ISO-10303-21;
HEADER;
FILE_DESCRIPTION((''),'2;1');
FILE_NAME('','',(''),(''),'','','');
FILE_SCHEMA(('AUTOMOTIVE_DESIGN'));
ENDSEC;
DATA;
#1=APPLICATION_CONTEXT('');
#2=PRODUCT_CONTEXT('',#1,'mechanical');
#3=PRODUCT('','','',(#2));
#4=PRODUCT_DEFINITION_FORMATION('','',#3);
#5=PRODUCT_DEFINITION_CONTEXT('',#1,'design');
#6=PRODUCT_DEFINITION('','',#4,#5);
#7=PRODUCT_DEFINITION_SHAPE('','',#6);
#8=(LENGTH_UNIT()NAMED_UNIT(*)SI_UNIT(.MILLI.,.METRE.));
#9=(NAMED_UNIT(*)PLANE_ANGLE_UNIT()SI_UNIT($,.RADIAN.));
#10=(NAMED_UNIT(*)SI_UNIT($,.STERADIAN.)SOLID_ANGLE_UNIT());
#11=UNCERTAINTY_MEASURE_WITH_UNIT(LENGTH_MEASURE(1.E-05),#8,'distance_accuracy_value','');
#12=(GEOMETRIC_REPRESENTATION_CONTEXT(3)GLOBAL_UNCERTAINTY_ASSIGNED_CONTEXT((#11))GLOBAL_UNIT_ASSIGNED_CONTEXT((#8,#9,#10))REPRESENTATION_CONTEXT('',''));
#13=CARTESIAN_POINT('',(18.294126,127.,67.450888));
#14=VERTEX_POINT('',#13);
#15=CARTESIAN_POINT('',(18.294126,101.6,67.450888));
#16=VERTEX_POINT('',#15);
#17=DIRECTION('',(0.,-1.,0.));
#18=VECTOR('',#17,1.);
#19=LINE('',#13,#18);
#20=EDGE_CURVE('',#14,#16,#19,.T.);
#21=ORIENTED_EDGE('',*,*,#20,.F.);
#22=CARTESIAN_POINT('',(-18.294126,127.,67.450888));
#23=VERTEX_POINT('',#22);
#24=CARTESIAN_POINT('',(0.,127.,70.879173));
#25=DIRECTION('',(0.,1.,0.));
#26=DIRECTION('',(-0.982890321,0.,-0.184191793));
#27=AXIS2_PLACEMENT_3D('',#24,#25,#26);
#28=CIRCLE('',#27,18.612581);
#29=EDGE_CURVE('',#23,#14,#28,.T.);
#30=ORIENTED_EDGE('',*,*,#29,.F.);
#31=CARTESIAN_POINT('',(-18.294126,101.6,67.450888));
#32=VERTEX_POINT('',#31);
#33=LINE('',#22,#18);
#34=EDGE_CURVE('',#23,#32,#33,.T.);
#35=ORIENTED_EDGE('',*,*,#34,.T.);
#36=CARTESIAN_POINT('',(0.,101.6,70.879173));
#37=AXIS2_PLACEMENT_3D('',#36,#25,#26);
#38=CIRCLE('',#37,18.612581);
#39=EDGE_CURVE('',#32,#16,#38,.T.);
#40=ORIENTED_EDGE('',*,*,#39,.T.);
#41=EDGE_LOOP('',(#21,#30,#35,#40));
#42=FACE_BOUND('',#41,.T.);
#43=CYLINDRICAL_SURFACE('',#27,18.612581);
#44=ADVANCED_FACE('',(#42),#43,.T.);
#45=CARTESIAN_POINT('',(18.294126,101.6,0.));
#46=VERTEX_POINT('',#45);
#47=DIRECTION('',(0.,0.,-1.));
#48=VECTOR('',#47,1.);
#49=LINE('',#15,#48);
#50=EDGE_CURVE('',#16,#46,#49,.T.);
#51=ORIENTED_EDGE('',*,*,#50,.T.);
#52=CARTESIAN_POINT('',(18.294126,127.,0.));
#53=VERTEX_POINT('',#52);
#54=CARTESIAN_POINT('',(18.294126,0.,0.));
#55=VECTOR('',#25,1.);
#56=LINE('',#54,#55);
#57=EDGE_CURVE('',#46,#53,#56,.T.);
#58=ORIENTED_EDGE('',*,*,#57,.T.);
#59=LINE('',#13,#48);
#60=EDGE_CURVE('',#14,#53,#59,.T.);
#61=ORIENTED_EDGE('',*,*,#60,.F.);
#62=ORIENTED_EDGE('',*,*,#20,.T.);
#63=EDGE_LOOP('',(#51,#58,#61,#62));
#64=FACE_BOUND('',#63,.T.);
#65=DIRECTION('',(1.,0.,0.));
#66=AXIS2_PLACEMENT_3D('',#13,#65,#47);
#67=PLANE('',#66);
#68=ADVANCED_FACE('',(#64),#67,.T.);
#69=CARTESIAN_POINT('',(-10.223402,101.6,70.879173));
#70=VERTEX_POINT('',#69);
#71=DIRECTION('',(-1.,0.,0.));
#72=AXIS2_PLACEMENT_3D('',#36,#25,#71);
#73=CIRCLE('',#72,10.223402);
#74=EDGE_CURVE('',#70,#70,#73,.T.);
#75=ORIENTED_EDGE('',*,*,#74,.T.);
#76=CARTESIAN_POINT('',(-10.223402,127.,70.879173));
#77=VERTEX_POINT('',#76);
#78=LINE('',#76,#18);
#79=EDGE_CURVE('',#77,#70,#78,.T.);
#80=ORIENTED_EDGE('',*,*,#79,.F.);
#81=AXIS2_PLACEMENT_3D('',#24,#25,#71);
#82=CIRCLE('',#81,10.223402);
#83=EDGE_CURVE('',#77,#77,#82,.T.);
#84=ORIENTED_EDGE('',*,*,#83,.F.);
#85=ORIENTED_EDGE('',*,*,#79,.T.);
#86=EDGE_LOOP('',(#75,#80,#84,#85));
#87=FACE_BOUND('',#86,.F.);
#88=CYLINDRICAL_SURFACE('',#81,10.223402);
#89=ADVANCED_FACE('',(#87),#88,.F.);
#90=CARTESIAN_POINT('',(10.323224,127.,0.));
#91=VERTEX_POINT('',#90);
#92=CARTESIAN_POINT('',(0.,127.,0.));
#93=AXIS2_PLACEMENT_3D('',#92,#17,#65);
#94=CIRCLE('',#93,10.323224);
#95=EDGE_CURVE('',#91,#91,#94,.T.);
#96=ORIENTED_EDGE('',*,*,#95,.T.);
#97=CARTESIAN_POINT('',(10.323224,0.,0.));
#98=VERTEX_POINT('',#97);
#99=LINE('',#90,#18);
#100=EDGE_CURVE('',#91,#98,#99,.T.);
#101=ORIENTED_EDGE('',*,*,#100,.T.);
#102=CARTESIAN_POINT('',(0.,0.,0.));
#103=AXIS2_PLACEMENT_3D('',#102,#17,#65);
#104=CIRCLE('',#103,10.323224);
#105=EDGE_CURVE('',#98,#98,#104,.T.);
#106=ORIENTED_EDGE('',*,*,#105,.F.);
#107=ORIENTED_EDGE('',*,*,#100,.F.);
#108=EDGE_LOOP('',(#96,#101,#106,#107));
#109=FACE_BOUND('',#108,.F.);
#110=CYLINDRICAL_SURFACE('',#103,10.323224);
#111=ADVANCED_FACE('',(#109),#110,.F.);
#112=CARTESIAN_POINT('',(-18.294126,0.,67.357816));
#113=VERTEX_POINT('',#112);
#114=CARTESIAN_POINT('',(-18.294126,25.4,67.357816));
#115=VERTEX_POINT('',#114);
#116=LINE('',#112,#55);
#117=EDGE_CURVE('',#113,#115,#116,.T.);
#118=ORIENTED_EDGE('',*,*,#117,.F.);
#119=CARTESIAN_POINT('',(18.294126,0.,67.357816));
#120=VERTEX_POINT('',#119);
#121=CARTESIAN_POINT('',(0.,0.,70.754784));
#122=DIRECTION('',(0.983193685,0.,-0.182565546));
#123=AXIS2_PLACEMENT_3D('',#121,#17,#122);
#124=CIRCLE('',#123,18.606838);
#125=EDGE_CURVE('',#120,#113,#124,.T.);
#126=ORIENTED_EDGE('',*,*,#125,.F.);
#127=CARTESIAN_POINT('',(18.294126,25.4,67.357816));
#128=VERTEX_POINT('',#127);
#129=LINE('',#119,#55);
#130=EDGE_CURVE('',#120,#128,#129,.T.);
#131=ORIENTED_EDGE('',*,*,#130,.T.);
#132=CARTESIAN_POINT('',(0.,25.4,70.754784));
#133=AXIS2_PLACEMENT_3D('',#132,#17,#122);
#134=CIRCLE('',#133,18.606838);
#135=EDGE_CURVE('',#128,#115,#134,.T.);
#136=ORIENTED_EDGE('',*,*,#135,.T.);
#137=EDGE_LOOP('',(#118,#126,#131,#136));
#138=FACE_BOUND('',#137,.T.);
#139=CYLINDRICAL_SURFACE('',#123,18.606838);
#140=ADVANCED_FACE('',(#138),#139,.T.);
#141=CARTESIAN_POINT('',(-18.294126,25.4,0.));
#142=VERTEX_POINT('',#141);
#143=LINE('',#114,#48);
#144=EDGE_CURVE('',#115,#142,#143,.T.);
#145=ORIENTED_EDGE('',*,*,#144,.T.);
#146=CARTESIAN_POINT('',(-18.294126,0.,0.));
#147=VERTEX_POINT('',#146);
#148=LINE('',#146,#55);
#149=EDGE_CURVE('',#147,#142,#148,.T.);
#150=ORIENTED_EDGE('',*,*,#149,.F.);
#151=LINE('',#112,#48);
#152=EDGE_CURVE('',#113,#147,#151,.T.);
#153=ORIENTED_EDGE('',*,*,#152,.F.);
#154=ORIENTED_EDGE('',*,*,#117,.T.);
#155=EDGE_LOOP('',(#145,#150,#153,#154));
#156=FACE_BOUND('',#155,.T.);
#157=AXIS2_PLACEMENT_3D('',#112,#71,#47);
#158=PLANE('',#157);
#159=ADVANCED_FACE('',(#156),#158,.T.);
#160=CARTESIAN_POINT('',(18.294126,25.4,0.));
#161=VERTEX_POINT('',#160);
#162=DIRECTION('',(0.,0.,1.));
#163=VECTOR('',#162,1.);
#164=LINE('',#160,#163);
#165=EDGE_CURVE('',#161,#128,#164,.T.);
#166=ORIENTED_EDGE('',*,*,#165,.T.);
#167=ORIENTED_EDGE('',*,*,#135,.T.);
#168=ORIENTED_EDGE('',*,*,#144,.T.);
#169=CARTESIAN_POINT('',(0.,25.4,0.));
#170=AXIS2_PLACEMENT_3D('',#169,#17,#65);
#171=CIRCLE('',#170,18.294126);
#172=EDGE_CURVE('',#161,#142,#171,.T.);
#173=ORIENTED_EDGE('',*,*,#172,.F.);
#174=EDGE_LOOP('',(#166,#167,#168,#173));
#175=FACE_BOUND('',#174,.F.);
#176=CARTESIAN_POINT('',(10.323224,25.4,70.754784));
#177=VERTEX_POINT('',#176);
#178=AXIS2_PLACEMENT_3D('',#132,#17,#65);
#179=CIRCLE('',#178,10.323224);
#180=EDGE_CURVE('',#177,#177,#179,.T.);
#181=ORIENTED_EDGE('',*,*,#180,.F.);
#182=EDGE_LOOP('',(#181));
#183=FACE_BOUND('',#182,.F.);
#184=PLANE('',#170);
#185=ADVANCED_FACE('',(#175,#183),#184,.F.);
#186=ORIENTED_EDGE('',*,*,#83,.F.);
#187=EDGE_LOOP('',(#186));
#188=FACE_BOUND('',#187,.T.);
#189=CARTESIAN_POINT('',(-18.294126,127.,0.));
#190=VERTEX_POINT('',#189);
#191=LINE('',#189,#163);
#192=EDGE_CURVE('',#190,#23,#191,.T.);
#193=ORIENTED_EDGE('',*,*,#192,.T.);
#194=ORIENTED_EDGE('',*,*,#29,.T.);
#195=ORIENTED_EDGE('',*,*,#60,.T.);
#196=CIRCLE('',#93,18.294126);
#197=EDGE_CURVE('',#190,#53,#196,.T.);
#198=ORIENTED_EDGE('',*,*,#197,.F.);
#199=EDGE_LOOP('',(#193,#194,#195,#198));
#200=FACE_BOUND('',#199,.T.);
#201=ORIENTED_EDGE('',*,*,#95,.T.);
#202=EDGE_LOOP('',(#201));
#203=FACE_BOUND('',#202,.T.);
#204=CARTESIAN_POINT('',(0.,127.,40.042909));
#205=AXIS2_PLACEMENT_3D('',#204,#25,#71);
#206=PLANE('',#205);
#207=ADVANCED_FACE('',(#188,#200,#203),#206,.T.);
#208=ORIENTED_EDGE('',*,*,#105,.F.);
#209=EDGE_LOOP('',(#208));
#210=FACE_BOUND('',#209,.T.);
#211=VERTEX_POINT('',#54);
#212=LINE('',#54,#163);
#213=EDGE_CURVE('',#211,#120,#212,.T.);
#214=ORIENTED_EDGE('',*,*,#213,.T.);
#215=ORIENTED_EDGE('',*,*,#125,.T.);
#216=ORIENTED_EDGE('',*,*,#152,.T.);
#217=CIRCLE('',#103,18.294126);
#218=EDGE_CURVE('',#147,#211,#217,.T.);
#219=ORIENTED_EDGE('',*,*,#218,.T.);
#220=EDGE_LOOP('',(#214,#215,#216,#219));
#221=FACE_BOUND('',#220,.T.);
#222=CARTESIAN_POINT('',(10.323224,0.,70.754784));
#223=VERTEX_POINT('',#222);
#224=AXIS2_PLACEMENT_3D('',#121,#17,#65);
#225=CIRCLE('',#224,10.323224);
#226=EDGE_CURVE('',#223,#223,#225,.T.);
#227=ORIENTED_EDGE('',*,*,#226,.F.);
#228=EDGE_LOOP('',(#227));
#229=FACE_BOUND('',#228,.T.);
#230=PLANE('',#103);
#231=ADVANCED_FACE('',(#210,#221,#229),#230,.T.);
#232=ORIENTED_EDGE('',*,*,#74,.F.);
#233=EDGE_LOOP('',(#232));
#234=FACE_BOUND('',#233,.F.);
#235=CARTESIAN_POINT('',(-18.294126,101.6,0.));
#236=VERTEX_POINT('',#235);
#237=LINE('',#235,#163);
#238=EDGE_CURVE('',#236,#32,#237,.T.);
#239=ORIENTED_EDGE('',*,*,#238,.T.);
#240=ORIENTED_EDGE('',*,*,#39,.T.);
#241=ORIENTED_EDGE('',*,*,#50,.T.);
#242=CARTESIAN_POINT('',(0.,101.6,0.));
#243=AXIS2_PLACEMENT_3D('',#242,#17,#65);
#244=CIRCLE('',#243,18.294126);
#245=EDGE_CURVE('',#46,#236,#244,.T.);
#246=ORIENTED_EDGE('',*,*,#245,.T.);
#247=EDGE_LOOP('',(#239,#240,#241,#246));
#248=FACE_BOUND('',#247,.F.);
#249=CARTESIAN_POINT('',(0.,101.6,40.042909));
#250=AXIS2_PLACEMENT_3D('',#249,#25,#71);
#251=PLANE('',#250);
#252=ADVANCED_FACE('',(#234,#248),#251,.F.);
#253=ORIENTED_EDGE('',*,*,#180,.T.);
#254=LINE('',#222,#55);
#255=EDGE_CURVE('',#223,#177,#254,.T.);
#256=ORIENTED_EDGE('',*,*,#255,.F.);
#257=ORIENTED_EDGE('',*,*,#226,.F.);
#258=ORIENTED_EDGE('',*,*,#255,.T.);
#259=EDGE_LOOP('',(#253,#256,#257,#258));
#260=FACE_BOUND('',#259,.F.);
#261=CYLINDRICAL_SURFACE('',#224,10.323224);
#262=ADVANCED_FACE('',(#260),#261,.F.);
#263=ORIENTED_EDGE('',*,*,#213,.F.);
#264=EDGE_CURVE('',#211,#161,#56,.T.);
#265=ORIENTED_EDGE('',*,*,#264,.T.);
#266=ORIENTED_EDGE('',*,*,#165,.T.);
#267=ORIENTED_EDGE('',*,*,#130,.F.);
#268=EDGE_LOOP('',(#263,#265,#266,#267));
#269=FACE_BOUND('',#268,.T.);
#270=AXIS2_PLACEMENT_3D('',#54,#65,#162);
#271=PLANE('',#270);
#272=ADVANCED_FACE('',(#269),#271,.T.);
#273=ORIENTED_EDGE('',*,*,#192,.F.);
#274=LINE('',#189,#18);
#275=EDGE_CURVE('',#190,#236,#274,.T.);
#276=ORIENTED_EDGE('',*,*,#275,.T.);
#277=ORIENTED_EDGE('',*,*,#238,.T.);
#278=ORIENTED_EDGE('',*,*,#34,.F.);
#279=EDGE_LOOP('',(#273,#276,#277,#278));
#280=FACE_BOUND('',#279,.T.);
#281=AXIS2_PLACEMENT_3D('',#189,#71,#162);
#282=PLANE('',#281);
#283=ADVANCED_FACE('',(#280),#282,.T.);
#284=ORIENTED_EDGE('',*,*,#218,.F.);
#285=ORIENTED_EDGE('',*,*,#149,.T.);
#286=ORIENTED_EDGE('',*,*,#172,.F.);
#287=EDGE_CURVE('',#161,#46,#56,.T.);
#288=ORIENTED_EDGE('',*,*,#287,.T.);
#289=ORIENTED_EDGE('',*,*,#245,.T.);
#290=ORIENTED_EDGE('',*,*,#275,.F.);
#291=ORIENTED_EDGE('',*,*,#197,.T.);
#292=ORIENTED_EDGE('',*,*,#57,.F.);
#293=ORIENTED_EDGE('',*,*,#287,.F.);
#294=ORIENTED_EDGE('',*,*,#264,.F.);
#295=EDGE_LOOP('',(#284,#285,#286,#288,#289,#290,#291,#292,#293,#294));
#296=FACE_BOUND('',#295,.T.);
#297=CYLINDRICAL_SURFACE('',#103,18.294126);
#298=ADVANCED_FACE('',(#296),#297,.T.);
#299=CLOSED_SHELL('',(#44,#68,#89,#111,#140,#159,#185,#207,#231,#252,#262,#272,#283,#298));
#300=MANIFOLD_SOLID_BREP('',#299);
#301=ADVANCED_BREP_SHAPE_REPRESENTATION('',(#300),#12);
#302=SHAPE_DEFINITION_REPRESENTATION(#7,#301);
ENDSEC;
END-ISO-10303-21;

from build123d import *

# Parameters (mm, degrees)
F0_R     = 10.323224
F1_DEPTH = 127
F2_DEPTH = 25.4
F3_R     = 10.223402
F4_DEPTH = 25.4


with BuildPart() as f1:
    # F0 (on Front) → F1 (new body)
    with BuildSketch(Plane.XZ):
        with BuildLine():
            ThreePointArc((-18.294126, 0), (0, -18.294126), (18.294126, 0))
            ThreePointArc((18.294126, 0), (0, 18.294126), (-18.294126, 0))
        make_face()
        Circle(F0_R, mode=Mode.SUBTRACT)
    extrude(amount=-F1_DEPTH)

    # F0 (on Front) → F2 (join)
    with BuildSketch(Plane.XZ):
        with BuildLine():
            ThreePointArc((-18.294126, 0), (0, -18.294126), (18.294126, 0))
            ThreePointArc((18.294126, 0), (0, 18.294126), (-18.294126, 0))
        make_face()
        Circle(F0_R, mode=Mode.SUBTRACT)
        with BuildLine():
            ThreePointArc((-18.294126, 0), (0, 18.294126), (18.294126, 0))
            Line((18.294126, 0), (18.294126, 67.357816))
            ThreePointArc((18.294126, 67.357816), (0, 89.361622), (-18.294126, 67.357816))
            Line((-18.294126, 67.357816), (-18.294126, 0))
        make_face()
        with Locations((0, 70.754784)):
            Circle(F0_R, mode=Mode.SUBTRACT)
    extrude(amount=-F2_DEPTH)

    # F3 (on face) → F4 (join)
    with BuildSketch(Plane(origin=(0, 127, 0), x_dir=(-1, 0, 0), z_dir=(0, 1, 0))):
        with BuildLine():
            Line((-18.294126, 67.450888), (-18.294126, 0))
            ThreePointArc((-18.294126, 0), (0, 18.294126), (18.294126, 0))
            Line((18.294126, 0), (18.294126, 67.450888))
            ThreePointArc((18.294126, 67.450888), (0, 89.491754), (-18.294126, 67.450888))
        make_face()
        with Locations((0, 70.879173)):
            Circle(F3_R, mode=Mode.SUBTRACT)
    extrude(amount=-F4_DEPTH)


solid = f1.part
